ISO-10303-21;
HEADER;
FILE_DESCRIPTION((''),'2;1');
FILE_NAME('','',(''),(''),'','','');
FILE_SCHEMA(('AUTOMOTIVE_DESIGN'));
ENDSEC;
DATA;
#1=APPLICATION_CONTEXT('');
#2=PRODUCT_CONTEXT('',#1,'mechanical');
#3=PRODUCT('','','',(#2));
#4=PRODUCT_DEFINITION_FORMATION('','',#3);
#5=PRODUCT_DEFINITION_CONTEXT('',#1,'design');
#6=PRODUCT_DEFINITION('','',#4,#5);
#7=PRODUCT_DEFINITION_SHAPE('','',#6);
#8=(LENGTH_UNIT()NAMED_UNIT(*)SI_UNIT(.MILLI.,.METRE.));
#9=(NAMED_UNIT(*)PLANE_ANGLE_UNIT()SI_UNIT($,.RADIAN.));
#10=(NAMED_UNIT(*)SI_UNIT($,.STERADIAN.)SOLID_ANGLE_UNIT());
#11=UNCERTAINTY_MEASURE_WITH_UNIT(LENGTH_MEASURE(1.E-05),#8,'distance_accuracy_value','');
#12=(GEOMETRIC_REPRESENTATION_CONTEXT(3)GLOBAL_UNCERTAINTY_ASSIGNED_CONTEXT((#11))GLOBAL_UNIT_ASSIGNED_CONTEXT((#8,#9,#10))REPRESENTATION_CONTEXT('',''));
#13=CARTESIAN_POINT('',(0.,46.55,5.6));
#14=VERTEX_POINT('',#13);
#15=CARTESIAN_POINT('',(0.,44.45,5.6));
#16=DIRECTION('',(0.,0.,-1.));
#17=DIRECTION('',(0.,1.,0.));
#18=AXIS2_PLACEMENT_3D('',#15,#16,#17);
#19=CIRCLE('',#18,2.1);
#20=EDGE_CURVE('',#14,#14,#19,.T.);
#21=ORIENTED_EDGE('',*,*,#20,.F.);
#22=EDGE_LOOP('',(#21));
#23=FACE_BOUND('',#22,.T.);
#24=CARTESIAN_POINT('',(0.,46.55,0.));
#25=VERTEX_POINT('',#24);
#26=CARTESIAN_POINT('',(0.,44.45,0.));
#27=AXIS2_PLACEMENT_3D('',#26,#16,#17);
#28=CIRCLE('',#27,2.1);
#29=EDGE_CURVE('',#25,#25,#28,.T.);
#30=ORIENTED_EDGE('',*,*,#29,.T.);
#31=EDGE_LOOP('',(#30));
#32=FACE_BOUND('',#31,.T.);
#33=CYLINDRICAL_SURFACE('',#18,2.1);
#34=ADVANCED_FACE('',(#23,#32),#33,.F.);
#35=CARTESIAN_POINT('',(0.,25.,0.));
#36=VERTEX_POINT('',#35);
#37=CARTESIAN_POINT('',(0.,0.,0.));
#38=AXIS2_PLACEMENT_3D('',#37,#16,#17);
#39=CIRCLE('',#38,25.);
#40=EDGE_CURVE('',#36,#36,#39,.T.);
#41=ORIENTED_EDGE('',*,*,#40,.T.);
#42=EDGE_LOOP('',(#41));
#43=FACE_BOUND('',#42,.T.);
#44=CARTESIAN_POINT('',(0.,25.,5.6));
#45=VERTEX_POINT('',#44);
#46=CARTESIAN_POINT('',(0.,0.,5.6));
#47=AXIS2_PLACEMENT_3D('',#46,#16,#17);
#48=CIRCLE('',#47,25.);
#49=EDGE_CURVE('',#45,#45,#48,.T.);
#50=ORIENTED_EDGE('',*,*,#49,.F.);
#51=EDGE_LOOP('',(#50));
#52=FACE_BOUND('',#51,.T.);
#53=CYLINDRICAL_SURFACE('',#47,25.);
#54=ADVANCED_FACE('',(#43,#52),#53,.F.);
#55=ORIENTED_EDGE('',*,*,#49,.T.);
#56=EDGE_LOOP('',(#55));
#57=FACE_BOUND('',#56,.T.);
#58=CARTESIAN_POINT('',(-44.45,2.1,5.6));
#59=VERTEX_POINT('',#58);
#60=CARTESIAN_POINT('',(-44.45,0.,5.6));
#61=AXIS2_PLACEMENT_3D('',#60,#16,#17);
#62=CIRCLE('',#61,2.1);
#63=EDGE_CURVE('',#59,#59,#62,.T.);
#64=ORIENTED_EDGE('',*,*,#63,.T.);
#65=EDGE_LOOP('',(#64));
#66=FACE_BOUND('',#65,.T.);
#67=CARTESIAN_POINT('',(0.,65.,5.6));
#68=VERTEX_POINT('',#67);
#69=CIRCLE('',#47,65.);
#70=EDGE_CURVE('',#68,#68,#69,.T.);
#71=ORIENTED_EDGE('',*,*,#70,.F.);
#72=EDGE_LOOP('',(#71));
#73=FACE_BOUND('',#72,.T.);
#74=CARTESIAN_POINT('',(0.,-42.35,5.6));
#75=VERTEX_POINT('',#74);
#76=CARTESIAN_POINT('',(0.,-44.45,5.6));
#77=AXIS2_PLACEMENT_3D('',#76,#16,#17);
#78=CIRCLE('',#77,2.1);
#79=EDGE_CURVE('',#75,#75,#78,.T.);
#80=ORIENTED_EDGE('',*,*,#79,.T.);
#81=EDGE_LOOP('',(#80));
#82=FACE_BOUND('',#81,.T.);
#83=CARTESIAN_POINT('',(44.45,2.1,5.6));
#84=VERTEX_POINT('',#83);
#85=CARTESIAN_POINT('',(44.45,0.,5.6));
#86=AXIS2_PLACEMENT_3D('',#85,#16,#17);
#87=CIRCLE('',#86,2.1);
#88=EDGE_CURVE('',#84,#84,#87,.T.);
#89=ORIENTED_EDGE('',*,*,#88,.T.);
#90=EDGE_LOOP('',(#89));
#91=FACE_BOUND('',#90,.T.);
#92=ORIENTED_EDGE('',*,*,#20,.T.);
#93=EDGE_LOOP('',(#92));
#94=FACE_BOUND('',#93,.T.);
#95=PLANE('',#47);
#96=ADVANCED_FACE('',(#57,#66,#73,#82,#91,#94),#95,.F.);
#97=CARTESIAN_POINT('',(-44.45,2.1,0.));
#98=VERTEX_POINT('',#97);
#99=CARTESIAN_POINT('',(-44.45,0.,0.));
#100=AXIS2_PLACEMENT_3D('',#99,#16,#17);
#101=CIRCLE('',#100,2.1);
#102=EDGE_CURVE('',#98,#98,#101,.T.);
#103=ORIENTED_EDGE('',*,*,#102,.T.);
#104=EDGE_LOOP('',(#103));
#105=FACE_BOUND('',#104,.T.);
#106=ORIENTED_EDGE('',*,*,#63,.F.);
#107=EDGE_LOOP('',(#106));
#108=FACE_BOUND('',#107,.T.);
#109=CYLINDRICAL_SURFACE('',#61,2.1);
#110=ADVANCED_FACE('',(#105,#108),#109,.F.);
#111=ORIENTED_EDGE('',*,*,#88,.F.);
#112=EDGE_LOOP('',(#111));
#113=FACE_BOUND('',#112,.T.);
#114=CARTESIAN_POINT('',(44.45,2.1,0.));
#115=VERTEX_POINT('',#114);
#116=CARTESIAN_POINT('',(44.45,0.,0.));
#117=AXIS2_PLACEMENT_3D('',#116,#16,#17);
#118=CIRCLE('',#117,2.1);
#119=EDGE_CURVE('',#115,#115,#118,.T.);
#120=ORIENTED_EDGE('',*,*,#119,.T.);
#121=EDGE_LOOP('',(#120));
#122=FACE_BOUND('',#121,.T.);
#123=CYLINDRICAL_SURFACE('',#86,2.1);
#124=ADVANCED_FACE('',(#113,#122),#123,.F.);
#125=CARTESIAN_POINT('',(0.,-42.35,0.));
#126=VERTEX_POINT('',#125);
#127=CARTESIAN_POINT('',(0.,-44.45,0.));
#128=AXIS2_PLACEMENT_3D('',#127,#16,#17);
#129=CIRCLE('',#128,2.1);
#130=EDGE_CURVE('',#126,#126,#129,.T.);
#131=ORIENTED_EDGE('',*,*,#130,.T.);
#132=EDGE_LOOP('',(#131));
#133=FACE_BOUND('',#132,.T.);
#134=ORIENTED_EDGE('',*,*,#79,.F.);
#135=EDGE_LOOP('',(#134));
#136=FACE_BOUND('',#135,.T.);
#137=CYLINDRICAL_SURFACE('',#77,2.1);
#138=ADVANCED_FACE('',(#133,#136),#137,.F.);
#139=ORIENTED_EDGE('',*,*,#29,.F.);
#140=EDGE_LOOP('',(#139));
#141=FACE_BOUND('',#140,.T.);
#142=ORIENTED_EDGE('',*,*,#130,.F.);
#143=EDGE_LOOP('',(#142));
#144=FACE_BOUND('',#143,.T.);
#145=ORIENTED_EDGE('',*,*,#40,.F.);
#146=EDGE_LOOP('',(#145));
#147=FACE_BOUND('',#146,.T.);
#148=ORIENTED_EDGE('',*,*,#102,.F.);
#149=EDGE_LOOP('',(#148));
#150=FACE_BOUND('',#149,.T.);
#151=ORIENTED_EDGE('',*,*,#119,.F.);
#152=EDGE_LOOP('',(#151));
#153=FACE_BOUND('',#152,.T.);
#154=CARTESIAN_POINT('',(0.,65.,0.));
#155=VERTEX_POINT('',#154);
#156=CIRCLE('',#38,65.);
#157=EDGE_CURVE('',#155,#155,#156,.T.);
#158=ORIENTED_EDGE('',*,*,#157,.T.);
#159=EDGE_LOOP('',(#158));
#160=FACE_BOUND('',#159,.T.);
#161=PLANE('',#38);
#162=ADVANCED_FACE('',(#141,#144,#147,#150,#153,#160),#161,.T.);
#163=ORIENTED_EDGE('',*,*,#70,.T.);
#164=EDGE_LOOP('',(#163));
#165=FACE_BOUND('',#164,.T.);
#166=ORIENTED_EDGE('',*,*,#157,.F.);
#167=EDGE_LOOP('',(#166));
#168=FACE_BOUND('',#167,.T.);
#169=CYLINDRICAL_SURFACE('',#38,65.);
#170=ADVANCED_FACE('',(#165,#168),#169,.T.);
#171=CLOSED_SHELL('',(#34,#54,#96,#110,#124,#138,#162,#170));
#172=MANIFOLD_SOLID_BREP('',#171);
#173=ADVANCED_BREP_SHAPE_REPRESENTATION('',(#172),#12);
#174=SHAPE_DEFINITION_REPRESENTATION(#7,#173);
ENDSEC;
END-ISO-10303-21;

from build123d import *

# Parameters (mm, degrees)
SKETCH_1_W          = 5.6
SKETCH_1_H          = 65
SKETCH_2_R          = 25
CUT_EXTRUDE_1_DEPTH = 93.094299498
SKETCH_3_R          = 2.1
CUT_EXTRUDE_2_DEPTH = 93.094299498


with BuildPart() as part:
    # ｽｹｯﾁ1 → 回転1 (revolve)
    with BuildSketch(Plane(origin=(0, 0, 0), x_dir=(0, 0, -1), z_dir=(1, 0, 0))):
        with Locations((-2.8, 32.5)):
            Rectangle(SKETCH_1_W, SKETCH_1_H)
    revolve(axis=Axis((0, 0, 0), (0, 0, 1)))

    # ｽｹｯﾁ2 → ｶｯﾄ - 押し出し1 (cut, through all)
    with BuildSketch(Plane(origin=(0, 0, 0), x_dir=(-1, 0, 0), z_dir=(0, 0, -1))):
        with Locations(Location((0, 0, 0), (0, 0, 90))):
            Circle(SKETCH_2_R)
    extrude(amount=-CUT_EXTRUDE_1_DEPTH, mode=Mode.SUBTRACT)

    # ｽｹｯﾁ3 → ｶｯﾄ - 押し出し2 (cut, through all)
    with BuildSketch(Plane(origin=(0, 0, 0), x_dir=(-1, 0, 0), z_dir=(0, 0, -1))):
        with Locations(Location((0, 44.45, 0), (0, 0, 90))):
            Circle(SKETCH_3_R)
        with Locations(Location((44.45, 0, 0), (0, 0, 90))):
            Circle(SKETCH_3_R)
        with Locations(Location((0, -44.45, 0), (0, 0, 90))):
            Circle(SKETCH_3_R)
        with Locations(Location((-44.45, 0, 0), (0, 0, 90))):
            Circle(SKETCH_3_R)
    extrude(amount=-CUT_EXTRUDE_2_DEPTH, mode=Mode.SUBTRACT)


solid = part.part
